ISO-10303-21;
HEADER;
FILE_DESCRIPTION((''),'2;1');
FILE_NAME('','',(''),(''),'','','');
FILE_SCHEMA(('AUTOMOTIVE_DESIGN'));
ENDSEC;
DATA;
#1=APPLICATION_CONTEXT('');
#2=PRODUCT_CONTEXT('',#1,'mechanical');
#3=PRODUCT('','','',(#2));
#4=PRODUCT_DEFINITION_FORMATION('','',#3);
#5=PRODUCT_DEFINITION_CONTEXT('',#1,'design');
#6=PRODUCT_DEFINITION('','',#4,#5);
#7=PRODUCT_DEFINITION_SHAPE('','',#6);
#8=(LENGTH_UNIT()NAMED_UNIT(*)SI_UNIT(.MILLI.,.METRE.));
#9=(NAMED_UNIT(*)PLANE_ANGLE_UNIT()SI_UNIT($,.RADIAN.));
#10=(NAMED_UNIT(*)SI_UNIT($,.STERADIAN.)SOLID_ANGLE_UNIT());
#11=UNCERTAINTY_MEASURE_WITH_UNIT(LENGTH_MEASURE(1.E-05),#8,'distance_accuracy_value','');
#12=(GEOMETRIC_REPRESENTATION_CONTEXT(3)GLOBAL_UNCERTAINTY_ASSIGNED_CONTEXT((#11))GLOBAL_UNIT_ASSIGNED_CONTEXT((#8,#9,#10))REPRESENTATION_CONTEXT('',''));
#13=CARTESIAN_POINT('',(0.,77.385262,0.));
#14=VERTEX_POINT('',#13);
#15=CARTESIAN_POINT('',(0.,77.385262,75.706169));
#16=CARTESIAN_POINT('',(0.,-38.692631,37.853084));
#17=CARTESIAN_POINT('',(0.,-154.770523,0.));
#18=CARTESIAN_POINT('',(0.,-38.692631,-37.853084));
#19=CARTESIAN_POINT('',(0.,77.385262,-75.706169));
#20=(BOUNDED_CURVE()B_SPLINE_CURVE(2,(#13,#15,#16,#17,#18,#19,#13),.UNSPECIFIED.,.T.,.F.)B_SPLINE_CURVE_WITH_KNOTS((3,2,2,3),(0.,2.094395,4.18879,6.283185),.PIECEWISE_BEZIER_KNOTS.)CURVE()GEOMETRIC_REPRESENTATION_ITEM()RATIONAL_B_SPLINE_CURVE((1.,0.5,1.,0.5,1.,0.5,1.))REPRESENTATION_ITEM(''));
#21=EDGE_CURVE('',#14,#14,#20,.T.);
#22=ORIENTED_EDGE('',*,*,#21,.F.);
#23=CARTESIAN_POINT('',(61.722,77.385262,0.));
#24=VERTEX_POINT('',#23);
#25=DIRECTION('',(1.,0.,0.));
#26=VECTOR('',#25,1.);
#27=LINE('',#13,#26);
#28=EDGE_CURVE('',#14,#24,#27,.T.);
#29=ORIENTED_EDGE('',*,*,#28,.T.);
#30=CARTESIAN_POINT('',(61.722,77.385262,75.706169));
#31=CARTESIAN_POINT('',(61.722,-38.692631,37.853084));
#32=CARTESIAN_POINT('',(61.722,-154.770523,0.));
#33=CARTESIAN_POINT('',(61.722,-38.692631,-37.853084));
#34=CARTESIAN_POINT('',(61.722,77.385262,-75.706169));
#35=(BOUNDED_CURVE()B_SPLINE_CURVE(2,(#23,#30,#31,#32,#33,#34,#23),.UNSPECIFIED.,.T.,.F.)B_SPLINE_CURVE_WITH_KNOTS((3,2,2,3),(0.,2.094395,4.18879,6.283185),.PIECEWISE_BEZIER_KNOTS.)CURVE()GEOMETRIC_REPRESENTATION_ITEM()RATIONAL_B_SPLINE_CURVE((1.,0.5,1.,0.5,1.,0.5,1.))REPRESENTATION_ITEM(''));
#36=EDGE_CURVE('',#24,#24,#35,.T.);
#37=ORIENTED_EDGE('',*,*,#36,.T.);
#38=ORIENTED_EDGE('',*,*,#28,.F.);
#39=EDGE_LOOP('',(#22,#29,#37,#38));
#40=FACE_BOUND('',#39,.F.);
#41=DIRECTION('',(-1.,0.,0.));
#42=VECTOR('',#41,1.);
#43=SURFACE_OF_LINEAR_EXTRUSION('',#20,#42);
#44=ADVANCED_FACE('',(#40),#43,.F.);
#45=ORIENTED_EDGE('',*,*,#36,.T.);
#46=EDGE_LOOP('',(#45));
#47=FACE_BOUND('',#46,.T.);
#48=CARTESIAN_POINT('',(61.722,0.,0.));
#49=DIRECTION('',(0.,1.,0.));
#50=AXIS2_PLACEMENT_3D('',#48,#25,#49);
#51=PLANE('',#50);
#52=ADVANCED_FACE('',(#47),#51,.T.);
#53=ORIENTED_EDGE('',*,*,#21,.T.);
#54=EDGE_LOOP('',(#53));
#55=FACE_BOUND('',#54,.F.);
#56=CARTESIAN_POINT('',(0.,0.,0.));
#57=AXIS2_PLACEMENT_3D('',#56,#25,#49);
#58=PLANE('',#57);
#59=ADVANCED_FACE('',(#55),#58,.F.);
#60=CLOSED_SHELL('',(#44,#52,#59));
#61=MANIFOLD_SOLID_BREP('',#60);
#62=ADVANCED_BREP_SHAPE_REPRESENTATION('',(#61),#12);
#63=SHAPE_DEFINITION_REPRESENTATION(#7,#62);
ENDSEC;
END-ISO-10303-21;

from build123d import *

# Parameters (mm, degrees)
F1_DEPTH = 61.722


with BuildPart() as f1:
    # F0 (on Right) → F1 (new body)
    with BuildSketch(Plane.YZ):
        with BuildLine():
            add(Edge.make_bspline(
                [(77.385262, 0), (77.385262, 75.706169), (-38.692631, 37.853084), (-154.770523, 0), (-38.692631, -37.853084), (77.385262, -75.706169), (77.385262, 0)],
                knots=[0, 0, 0, 2.094395, 2.094395, 4.18879, 4.18879, 6.283185, 6.283185, 6.283185], degree=2, weights=[1, 0.5, 1, 0.5, 1, 0.5, 1]))
        make_face()
    extrude(amount=F1_DEPTH)


solid = f1.part
